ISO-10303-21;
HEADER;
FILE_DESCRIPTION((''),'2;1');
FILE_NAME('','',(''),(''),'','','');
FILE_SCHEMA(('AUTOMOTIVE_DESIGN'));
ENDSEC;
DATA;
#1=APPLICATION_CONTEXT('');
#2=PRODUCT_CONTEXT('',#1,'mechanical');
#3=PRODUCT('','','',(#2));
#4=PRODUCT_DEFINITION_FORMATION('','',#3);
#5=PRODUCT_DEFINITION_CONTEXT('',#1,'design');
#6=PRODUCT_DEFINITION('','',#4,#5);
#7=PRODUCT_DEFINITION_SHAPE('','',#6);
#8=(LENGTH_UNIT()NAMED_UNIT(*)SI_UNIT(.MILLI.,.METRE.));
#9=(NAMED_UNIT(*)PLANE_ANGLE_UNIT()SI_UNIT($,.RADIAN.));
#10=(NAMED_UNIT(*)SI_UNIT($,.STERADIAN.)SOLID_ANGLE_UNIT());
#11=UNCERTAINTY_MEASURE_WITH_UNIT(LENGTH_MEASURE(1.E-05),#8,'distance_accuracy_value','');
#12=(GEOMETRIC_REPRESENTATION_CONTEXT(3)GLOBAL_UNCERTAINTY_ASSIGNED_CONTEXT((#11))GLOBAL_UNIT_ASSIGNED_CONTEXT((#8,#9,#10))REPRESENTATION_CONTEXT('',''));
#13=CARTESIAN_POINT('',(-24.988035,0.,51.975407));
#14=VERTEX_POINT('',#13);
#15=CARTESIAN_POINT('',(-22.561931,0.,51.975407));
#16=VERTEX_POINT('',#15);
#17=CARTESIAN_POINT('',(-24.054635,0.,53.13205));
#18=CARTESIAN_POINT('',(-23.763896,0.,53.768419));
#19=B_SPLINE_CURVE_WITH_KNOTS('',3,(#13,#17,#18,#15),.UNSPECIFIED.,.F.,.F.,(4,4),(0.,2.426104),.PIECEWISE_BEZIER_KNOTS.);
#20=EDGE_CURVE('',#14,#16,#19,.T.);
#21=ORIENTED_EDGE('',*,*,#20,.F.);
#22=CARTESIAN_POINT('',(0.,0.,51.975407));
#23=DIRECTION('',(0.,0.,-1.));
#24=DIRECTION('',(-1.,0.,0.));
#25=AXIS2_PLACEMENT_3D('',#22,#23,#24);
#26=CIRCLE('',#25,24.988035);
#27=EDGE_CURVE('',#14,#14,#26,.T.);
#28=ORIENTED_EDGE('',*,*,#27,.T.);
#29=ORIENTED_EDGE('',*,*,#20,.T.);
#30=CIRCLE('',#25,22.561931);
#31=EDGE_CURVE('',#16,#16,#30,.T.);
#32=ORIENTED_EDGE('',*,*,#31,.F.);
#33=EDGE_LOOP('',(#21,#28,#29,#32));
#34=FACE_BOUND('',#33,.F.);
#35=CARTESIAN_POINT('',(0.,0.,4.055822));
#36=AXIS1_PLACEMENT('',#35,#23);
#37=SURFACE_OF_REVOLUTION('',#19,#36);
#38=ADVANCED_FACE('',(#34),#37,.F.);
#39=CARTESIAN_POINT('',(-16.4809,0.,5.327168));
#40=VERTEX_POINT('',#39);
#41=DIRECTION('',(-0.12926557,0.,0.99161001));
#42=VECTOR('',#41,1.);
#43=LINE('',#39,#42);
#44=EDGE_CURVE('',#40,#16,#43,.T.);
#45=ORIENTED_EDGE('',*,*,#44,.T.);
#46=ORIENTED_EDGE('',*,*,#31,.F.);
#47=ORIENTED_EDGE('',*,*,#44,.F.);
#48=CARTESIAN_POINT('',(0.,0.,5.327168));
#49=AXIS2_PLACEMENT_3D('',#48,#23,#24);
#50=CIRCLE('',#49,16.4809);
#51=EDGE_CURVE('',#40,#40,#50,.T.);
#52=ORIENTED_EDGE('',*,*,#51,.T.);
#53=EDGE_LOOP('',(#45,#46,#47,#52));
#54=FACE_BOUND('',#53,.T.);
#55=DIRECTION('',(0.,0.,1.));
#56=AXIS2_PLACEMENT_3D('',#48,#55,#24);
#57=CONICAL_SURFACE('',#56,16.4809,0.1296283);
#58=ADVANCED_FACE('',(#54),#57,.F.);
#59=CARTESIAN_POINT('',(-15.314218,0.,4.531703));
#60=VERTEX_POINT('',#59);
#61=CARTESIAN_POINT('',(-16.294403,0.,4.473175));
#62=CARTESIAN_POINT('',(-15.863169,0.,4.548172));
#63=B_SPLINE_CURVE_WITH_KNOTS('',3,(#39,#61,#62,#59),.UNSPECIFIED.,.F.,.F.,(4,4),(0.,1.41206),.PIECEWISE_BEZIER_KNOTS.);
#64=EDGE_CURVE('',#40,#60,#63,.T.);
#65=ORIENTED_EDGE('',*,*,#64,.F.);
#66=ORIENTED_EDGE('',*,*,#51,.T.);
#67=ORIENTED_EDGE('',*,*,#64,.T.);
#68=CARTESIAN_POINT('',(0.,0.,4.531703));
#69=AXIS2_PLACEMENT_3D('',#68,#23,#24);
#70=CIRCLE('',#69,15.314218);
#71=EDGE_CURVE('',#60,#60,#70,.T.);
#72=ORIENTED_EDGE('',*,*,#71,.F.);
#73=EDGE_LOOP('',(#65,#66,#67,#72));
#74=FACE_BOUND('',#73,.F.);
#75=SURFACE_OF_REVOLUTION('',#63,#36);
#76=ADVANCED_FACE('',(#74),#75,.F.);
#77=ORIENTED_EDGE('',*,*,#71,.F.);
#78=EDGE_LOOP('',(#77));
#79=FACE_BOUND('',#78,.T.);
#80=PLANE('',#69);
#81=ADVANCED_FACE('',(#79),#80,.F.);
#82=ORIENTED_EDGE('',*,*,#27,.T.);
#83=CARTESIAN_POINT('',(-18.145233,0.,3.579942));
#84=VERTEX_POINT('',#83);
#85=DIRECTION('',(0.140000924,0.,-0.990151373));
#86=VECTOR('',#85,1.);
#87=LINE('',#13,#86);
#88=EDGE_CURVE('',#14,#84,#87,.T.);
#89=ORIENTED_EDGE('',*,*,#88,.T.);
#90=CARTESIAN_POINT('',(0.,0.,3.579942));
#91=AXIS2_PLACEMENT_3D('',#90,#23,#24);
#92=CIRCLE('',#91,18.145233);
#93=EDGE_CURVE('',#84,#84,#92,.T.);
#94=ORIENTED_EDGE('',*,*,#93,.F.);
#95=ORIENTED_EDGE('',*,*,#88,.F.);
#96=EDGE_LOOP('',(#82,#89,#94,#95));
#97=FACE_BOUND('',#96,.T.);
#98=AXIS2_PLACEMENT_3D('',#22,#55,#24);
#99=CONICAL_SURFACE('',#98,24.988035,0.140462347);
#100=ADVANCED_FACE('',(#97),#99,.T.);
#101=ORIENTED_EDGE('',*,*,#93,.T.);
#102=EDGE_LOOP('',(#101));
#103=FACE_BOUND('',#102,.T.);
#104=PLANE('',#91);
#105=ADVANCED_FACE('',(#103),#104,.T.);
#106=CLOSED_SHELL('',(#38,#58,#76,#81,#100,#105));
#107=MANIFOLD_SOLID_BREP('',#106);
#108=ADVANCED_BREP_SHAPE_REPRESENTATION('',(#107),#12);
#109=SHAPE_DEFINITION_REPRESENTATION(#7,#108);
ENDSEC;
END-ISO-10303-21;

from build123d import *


with BuildPart() as f1:
    # F0 (on Front) → F1 (revolve)
    with BuildSketch(Plane.XZ):
        with BuildLine():
            Line((-18.145233, 3.579942), (0, 3.579942))
            Line((0, 3.579942), (0, 4.531703))
            Line((0, 4.531703), (-15.314218, 4.531703))
            add(Edge.make_bspline(
                [(-16.4809, 5.327168), (-16.294403, 4.473175), (-15.863169, 4.548172), (-15.314218, 4.531703)],
                knots=[0, 0, 0, 0, 1.41206, 1.41206, 1.41206, 1.41206], degree=3))
            Line((-16.4809, 5.327168), (-22.561931, 51.975407))
            add(Edge.make_bspline(
                [(-24.988035, 51.975407), (-24.054635, 53.13205), (-23.763896, 53.768419), (-22.561931, 51.975407)],
                knots=[0, 0, 0, 0, 2.426104, 2.426104, 2.426104, 2.426104], degree=3))
            Line((-24.988035, 51.975407), (-18.145233, 3.579942))
        make_face()
    revolve(axis=Axis((0, 0, 4.055822), (0, 0, -1)))


solid = f1.part
